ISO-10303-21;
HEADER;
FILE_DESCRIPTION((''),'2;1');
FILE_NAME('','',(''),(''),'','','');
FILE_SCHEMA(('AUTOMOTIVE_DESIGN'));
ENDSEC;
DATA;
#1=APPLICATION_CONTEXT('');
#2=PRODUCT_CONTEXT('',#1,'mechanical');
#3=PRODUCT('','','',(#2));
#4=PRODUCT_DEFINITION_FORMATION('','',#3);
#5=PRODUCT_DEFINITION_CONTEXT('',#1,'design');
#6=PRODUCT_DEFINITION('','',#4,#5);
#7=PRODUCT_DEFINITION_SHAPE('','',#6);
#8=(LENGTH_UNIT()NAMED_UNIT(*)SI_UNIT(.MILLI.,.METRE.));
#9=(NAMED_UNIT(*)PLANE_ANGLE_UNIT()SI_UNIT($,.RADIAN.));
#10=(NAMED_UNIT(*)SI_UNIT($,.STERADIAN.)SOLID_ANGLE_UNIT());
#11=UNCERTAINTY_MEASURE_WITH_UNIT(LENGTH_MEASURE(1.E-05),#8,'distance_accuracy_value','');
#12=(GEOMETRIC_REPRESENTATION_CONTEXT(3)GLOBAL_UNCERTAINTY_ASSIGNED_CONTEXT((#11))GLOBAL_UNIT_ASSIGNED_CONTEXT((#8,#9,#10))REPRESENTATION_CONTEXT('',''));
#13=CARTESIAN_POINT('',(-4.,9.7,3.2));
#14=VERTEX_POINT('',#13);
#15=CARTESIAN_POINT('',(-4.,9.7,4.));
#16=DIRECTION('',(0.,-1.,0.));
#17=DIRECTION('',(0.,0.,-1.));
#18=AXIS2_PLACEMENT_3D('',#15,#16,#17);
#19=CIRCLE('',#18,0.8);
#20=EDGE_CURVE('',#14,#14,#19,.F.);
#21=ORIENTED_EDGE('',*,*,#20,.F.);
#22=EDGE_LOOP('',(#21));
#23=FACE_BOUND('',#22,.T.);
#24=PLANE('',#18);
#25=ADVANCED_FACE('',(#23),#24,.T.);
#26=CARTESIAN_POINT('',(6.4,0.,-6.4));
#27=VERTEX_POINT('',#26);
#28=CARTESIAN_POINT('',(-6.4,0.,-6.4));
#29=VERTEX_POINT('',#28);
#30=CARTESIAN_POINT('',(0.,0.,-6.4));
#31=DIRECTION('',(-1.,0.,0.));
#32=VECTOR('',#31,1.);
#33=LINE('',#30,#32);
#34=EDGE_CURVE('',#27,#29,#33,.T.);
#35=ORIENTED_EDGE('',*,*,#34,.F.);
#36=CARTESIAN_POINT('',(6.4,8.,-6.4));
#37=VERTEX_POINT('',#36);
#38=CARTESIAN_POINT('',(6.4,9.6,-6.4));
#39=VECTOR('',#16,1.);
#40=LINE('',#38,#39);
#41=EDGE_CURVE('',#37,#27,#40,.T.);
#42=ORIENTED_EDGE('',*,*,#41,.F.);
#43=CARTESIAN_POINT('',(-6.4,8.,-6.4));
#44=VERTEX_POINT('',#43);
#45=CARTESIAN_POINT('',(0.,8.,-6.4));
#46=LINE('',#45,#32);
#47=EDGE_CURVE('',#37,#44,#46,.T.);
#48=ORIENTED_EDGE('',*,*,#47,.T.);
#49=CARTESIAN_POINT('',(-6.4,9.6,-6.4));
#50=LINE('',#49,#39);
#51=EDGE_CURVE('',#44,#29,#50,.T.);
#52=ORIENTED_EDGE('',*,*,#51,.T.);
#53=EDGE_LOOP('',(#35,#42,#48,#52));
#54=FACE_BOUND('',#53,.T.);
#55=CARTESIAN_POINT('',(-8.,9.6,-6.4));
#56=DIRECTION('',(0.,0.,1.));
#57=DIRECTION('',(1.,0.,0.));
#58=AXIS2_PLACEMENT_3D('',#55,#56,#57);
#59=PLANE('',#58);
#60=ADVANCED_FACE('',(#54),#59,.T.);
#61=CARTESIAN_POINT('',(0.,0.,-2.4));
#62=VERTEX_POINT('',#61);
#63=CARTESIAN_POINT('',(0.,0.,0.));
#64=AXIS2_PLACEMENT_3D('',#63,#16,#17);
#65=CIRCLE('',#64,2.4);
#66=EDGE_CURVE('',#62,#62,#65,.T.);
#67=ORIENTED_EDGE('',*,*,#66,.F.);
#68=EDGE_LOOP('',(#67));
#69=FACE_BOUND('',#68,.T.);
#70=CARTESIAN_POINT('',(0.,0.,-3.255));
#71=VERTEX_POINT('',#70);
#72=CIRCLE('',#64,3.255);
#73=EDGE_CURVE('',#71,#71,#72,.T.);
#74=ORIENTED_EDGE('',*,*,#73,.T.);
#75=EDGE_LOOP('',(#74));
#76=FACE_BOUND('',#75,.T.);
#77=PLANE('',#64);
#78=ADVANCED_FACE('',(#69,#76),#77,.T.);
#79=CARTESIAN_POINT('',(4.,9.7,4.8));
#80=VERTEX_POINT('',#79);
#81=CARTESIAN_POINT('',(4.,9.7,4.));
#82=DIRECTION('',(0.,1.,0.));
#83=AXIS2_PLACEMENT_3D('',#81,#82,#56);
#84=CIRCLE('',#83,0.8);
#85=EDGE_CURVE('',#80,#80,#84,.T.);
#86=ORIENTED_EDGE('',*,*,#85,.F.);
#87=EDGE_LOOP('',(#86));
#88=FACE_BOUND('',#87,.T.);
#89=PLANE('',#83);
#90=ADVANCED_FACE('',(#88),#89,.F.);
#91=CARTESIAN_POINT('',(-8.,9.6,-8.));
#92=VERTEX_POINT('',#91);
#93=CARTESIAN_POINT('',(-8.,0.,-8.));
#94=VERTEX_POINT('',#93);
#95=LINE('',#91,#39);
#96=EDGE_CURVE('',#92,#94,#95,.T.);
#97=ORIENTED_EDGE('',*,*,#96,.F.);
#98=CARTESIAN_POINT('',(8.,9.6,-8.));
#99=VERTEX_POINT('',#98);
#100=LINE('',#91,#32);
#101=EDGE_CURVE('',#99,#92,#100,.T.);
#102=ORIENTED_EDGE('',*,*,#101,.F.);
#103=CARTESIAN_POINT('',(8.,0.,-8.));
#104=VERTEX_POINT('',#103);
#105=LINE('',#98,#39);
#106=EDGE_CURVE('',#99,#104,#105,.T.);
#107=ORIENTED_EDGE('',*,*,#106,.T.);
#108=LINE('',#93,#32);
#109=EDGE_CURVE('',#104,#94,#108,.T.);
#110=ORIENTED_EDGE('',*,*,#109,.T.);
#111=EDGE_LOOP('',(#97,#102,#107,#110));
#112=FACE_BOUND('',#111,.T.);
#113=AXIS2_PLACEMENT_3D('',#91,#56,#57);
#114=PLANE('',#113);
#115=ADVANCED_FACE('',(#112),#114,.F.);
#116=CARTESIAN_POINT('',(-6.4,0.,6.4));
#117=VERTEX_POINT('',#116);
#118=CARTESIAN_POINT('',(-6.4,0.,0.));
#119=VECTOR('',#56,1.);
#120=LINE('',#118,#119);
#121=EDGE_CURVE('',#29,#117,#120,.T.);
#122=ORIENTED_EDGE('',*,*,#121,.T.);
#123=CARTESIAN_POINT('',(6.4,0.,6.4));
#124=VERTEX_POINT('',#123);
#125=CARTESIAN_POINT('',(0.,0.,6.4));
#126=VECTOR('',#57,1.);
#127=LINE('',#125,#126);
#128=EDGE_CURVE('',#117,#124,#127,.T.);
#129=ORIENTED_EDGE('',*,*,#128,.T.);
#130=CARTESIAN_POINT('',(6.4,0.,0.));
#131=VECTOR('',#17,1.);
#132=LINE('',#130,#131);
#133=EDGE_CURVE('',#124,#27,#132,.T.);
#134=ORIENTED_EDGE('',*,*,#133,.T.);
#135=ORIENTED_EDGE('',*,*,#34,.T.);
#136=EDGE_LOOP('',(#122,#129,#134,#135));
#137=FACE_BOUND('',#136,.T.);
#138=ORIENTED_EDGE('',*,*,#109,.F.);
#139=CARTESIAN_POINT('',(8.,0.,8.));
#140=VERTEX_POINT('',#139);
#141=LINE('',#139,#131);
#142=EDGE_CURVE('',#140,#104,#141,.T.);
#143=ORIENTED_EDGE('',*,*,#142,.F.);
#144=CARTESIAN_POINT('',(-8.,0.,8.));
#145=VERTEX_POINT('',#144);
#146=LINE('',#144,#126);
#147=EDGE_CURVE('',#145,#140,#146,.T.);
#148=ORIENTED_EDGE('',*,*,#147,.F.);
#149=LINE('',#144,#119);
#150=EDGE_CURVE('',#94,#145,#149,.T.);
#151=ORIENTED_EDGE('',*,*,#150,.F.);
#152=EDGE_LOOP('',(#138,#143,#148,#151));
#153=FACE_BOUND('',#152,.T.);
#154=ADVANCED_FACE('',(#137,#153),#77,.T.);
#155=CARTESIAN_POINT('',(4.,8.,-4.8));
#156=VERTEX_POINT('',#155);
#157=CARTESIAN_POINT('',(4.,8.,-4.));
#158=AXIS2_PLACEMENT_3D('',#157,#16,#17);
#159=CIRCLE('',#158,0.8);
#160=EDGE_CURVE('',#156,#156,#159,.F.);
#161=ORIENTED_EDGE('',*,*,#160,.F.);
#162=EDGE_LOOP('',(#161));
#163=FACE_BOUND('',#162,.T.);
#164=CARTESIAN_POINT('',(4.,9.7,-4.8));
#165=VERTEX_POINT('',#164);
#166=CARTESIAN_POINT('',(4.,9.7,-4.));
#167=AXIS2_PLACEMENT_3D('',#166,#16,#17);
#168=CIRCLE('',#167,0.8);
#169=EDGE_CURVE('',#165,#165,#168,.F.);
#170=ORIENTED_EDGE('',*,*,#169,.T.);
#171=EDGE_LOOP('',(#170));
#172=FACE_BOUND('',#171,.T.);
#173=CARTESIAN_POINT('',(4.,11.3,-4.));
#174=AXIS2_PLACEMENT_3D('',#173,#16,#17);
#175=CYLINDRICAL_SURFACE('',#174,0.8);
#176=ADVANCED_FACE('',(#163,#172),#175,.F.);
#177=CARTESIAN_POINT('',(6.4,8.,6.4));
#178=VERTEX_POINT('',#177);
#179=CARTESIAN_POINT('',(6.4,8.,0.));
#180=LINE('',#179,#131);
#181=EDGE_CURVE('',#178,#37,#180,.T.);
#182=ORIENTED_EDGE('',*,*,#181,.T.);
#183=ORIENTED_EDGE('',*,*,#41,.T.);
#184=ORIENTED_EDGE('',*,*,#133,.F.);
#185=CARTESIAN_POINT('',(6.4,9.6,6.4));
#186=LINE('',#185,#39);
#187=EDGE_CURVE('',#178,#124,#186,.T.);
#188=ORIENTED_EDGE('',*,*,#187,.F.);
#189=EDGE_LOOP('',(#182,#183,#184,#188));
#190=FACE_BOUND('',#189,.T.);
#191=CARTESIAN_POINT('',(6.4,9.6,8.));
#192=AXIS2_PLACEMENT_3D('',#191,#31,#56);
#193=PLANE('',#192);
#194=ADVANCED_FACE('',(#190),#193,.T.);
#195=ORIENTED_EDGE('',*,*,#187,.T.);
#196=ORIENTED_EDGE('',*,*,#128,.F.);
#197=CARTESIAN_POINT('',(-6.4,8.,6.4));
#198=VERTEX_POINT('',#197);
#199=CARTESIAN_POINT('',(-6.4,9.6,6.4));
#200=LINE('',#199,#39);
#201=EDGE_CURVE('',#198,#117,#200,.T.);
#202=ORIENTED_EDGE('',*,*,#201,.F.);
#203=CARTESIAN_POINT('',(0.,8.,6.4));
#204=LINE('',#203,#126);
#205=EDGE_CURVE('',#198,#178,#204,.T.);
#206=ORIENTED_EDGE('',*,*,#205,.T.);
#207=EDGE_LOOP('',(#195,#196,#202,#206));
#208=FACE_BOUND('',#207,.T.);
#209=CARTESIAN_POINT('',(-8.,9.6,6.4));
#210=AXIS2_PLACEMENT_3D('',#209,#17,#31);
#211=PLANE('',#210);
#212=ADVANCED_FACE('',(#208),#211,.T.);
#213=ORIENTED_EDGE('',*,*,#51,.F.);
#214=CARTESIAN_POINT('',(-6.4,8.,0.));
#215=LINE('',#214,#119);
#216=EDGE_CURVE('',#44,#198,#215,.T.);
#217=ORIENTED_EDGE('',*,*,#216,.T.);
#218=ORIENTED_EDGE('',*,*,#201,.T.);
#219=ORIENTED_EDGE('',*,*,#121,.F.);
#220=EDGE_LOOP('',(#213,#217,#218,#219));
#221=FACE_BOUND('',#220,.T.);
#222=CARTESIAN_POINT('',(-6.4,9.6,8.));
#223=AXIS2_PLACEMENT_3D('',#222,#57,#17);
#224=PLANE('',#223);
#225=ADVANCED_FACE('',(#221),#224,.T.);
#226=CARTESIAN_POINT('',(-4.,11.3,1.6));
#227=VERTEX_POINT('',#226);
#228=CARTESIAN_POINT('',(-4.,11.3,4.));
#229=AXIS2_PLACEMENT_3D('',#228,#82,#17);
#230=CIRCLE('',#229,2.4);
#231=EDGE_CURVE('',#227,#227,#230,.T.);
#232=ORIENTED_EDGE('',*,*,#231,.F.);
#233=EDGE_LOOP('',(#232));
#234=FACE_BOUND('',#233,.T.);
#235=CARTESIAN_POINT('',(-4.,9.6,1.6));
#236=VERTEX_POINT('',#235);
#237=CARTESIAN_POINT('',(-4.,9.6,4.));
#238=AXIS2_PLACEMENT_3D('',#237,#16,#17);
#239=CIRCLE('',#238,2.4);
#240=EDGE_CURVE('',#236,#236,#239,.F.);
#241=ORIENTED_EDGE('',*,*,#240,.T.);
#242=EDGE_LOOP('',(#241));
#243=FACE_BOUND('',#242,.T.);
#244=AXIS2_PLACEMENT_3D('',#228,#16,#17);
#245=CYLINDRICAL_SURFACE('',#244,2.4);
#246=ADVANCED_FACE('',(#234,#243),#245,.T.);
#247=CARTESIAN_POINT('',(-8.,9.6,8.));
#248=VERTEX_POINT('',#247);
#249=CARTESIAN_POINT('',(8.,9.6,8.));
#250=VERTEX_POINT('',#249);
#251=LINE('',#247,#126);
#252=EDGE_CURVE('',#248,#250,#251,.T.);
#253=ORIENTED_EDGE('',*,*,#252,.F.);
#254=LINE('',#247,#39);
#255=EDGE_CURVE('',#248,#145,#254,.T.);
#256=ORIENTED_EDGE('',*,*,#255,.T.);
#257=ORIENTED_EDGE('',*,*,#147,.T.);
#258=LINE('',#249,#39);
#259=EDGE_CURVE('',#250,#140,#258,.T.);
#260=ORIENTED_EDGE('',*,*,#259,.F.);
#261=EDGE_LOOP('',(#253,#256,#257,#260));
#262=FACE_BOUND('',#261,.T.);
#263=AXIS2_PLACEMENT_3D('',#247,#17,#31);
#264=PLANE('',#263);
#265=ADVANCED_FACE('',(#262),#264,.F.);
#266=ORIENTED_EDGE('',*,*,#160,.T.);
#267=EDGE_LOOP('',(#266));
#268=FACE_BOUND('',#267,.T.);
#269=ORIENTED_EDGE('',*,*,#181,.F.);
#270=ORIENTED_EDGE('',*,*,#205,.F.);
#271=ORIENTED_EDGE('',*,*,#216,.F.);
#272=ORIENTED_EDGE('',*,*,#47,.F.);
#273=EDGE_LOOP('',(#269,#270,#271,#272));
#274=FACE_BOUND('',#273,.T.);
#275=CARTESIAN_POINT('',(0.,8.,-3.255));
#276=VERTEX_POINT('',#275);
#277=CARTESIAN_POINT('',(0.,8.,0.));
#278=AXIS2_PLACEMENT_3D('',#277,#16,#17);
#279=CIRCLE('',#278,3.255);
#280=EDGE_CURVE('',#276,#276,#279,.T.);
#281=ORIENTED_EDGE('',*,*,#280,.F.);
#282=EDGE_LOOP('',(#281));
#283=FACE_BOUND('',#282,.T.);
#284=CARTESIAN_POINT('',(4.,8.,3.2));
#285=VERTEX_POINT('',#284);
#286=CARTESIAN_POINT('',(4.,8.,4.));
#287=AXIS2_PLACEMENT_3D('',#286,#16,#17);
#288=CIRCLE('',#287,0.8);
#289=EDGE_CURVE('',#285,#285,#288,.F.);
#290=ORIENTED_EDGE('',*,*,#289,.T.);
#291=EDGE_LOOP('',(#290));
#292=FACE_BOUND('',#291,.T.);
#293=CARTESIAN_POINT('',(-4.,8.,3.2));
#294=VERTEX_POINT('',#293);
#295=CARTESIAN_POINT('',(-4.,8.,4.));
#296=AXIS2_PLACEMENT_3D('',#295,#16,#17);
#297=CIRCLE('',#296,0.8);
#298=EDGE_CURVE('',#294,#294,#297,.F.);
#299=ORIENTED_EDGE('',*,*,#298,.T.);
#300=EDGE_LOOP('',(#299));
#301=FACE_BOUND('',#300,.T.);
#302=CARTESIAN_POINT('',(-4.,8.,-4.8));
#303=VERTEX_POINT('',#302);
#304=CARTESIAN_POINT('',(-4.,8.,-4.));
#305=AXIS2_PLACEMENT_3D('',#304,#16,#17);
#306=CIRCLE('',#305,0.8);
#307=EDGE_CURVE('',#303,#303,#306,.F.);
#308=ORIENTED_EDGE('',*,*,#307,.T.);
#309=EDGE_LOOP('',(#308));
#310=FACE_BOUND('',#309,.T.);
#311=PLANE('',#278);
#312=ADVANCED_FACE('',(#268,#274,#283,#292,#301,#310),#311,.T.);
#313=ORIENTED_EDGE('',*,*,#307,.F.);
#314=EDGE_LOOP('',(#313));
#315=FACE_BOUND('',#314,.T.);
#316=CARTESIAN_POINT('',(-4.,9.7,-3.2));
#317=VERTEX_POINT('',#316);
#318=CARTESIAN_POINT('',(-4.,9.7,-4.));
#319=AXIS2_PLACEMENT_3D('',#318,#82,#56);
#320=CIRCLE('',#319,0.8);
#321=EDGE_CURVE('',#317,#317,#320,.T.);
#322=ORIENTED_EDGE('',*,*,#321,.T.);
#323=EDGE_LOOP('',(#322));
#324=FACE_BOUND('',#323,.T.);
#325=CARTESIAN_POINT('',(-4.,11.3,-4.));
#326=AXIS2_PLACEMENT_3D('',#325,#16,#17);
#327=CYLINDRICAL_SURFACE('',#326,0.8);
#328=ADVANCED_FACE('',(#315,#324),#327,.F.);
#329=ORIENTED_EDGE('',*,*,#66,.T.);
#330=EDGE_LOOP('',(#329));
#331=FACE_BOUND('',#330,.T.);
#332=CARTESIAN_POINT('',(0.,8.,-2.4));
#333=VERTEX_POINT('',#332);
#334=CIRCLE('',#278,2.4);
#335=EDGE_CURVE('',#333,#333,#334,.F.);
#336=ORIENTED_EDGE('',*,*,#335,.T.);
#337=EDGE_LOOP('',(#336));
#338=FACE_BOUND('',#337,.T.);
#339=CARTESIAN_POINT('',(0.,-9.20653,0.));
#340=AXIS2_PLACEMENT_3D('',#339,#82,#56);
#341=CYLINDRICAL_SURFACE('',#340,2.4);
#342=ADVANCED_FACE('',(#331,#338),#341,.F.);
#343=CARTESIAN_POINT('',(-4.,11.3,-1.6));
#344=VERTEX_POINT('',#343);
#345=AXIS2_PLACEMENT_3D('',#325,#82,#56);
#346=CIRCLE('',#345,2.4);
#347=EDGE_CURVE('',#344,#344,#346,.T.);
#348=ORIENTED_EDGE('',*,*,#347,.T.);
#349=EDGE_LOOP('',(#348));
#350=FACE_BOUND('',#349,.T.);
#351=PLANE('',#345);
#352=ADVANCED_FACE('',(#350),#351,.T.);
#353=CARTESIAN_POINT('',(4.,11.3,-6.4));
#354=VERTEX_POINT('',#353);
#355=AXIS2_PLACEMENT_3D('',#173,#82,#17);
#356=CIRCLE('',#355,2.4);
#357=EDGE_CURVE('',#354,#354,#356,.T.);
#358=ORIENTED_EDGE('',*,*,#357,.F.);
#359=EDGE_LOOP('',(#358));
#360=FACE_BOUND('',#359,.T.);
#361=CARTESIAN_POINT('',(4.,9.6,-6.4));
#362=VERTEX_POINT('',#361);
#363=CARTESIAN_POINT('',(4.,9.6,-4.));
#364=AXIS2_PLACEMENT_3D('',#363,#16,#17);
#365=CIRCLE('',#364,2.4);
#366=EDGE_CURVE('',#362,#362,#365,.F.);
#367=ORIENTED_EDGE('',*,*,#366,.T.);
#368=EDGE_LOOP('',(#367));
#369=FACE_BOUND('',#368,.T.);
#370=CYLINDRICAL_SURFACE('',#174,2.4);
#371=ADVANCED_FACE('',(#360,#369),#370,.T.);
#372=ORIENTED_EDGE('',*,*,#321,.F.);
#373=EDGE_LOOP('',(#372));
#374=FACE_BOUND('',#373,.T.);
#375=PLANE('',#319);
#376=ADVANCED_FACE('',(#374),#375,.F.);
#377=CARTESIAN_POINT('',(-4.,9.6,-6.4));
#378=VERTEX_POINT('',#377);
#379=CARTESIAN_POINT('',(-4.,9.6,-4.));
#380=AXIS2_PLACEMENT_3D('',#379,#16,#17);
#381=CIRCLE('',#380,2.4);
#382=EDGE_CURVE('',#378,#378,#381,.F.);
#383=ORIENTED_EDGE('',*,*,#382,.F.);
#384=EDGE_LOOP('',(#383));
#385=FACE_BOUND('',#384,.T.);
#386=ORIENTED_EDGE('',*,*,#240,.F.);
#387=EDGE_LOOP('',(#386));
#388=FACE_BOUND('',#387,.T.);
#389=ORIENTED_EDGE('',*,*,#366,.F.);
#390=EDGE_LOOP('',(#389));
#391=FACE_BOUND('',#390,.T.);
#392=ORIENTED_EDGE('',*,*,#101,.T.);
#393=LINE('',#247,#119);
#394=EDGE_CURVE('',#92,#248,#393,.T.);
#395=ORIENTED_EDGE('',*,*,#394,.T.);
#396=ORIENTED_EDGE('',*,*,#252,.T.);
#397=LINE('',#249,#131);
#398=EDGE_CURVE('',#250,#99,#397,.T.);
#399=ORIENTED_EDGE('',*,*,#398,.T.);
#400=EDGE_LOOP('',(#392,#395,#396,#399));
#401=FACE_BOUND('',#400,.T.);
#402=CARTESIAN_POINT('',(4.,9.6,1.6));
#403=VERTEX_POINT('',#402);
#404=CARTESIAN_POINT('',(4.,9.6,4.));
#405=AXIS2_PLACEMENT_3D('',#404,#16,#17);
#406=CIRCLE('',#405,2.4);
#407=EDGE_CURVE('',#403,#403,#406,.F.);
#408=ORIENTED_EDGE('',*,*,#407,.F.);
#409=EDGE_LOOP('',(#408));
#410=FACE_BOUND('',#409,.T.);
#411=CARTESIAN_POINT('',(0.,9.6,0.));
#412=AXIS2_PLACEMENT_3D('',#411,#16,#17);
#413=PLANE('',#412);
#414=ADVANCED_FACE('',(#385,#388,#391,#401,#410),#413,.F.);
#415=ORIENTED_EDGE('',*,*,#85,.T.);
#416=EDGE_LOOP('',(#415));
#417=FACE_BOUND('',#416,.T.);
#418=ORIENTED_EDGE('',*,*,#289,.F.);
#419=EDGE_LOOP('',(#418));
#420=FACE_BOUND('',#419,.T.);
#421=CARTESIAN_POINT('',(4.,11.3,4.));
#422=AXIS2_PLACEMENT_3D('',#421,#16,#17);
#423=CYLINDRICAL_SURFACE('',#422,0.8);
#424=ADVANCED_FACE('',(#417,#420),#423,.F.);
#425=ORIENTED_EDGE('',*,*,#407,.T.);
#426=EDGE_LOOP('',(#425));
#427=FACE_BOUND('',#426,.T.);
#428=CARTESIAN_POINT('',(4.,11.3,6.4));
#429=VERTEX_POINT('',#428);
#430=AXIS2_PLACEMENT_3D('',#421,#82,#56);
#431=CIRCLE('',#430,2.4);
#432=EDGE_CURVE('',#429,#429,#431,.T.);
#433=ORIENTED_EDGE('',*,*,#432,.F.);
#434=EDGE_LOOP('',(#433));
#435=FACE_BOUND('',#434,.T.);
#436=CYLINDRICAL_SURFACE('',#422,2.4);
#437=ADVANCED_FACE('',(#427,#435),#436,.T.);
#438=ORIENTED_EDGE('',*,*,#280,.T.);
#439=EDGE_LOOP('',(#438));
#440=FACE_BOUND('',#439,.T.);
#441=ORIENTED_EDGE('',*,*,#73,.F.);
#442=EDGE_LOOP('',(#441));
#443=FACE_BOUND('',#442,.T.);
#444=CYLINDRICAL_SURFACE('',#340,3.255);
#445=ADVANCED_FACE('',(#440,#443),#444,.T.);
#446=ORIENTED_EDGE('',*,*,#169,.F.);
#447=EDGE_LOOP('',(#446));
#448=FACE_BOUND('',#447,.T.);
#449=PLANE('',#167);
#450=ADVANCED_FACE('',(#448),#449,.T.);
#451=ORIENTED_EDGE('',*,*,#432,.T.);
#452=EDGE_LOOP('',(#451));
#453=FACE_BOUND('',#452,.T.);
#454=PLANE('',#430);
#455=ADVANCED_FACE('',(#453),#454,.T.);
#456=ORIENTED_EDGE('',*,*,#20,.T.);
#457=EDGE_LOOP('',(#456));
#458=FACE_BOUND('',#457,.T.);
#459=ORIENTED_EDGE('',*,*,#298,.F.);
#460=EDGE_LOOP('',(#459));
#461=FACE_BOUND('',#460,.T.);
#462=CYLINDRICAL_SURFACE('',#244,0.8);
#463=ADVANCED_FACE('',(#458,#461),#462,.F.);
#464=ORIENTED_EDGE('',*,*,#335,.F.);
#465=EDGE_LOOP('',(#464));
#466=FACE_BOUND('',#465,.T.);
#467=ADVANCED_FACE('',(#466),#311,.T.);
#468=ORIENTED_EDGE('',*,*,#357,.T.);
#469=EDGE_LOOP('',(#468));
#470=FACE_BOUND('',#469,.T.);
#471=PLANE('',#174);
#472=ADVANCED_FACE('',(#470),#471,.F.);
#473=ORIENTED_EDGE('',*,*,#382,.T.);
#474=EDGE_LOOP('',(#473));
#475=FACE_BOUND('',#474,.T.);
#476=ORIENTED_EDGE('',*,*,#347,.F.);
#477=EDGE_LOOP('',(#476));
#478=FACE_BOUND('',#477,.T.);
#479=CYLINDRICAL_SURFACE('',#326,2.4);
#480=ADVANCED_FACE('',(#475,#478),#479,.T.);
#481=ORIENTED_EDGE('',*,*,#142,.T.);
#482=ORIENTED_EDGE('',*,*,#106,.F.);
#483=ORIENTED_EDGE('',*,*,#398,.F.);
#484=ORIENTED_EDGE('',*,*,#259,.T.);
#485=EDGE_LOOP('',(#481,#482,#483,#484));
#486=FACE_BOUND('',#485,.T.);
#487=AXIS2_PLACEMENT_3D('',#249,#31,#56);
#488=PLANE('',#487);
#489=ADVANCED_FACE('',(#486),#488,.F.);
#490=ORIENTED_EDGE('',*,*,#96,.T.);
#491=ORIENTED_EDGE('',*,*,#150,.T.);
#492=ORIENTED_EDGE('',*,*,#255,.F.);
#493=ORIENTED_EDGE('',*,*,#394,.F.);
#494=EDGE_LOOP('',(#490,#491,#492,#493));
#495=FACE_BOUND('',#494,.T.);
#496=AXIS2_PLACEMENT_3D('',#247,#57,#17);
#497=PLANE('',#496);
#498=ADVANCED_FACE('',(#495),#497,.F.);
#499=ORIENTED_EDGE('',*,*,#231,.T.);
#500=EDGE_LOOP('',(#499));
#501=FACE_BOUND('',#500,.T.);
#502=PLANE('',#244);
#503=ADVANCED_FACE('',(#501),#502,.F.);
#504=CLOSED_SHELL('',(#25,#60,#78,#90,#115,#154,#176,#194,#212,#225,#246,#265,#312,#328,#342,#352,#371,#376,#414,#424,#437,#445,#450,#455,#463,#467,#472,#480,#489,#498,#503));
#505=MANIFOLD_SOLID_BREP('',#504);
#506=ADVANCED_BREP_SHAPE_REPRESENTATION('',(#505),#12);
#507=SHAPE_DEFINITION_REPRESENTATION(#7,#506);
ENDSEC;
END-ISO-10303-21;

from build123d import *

# Parameters (mm, degrees)
SKETCH_1_W      = 16
SKETCH_1_H      = 16
HEIGHT_DEPTH    = 9.6
SKETCH_2_R      = 2.4
EXTRUDE_2_DEPTH = 1.7
SHELL_1_T       = -1.6
SKETCH_3_R      = 3.255
SKETCH_3_R_2    = 2.4
EXTRUDE_3_DEPTH = 8


with BuildPart() as part:
    # 草圖1 → height (new body)
    with BuildSketch(Plane(origin=(0, 0, 0), x_dir=(1, 0, 0), z_dir=(0, 1, 0))):
        Rectangle(SKETCH_1_W, SKETCH_1_H)
    extrude(amount=HEIGHT_DEPTH)

    # 草圖2 → 填料-伸長2 (add)
    with BuildSketch(Plane(origin=(0, 9.6, 0), x_dir=(1, 0, 0), z_dir=(0, 1, 0))):
        with Locations((-4, 4)):
            Circle(SKETCH_2_R)
        with Locations((4, 4)):
            Circle(SKETCH_2_R)
        with Locations((4, -4)):
            Circle(SKETCH_2_R)
        with Locations((-4, -4)):
            Circle(SKETCH_2_R)
    extrude(amount=EXTRUDE_2_DEPTH)

    # 薄殼1
    shell_1_openings = [part.faces().sort_by_distance(p)[0] for p in [
        (0, 0, 0),
    ]]
    offset(amount=SHELL_1_T, openings=shell_1_openings, kind=Kind.INTERSECTION)

    # 草圖3 → 填料-伸長3 (add)
    with BuildSketch(Plane.XZ.offset(-8)):
        Circle(SKETCH_3_R)
        Circle(SKETCH_3_R_2, mode=Mode.SUBTRACT)
    extrude(amount=EXTRUDE_3_DEPTH)


solid = part.part
